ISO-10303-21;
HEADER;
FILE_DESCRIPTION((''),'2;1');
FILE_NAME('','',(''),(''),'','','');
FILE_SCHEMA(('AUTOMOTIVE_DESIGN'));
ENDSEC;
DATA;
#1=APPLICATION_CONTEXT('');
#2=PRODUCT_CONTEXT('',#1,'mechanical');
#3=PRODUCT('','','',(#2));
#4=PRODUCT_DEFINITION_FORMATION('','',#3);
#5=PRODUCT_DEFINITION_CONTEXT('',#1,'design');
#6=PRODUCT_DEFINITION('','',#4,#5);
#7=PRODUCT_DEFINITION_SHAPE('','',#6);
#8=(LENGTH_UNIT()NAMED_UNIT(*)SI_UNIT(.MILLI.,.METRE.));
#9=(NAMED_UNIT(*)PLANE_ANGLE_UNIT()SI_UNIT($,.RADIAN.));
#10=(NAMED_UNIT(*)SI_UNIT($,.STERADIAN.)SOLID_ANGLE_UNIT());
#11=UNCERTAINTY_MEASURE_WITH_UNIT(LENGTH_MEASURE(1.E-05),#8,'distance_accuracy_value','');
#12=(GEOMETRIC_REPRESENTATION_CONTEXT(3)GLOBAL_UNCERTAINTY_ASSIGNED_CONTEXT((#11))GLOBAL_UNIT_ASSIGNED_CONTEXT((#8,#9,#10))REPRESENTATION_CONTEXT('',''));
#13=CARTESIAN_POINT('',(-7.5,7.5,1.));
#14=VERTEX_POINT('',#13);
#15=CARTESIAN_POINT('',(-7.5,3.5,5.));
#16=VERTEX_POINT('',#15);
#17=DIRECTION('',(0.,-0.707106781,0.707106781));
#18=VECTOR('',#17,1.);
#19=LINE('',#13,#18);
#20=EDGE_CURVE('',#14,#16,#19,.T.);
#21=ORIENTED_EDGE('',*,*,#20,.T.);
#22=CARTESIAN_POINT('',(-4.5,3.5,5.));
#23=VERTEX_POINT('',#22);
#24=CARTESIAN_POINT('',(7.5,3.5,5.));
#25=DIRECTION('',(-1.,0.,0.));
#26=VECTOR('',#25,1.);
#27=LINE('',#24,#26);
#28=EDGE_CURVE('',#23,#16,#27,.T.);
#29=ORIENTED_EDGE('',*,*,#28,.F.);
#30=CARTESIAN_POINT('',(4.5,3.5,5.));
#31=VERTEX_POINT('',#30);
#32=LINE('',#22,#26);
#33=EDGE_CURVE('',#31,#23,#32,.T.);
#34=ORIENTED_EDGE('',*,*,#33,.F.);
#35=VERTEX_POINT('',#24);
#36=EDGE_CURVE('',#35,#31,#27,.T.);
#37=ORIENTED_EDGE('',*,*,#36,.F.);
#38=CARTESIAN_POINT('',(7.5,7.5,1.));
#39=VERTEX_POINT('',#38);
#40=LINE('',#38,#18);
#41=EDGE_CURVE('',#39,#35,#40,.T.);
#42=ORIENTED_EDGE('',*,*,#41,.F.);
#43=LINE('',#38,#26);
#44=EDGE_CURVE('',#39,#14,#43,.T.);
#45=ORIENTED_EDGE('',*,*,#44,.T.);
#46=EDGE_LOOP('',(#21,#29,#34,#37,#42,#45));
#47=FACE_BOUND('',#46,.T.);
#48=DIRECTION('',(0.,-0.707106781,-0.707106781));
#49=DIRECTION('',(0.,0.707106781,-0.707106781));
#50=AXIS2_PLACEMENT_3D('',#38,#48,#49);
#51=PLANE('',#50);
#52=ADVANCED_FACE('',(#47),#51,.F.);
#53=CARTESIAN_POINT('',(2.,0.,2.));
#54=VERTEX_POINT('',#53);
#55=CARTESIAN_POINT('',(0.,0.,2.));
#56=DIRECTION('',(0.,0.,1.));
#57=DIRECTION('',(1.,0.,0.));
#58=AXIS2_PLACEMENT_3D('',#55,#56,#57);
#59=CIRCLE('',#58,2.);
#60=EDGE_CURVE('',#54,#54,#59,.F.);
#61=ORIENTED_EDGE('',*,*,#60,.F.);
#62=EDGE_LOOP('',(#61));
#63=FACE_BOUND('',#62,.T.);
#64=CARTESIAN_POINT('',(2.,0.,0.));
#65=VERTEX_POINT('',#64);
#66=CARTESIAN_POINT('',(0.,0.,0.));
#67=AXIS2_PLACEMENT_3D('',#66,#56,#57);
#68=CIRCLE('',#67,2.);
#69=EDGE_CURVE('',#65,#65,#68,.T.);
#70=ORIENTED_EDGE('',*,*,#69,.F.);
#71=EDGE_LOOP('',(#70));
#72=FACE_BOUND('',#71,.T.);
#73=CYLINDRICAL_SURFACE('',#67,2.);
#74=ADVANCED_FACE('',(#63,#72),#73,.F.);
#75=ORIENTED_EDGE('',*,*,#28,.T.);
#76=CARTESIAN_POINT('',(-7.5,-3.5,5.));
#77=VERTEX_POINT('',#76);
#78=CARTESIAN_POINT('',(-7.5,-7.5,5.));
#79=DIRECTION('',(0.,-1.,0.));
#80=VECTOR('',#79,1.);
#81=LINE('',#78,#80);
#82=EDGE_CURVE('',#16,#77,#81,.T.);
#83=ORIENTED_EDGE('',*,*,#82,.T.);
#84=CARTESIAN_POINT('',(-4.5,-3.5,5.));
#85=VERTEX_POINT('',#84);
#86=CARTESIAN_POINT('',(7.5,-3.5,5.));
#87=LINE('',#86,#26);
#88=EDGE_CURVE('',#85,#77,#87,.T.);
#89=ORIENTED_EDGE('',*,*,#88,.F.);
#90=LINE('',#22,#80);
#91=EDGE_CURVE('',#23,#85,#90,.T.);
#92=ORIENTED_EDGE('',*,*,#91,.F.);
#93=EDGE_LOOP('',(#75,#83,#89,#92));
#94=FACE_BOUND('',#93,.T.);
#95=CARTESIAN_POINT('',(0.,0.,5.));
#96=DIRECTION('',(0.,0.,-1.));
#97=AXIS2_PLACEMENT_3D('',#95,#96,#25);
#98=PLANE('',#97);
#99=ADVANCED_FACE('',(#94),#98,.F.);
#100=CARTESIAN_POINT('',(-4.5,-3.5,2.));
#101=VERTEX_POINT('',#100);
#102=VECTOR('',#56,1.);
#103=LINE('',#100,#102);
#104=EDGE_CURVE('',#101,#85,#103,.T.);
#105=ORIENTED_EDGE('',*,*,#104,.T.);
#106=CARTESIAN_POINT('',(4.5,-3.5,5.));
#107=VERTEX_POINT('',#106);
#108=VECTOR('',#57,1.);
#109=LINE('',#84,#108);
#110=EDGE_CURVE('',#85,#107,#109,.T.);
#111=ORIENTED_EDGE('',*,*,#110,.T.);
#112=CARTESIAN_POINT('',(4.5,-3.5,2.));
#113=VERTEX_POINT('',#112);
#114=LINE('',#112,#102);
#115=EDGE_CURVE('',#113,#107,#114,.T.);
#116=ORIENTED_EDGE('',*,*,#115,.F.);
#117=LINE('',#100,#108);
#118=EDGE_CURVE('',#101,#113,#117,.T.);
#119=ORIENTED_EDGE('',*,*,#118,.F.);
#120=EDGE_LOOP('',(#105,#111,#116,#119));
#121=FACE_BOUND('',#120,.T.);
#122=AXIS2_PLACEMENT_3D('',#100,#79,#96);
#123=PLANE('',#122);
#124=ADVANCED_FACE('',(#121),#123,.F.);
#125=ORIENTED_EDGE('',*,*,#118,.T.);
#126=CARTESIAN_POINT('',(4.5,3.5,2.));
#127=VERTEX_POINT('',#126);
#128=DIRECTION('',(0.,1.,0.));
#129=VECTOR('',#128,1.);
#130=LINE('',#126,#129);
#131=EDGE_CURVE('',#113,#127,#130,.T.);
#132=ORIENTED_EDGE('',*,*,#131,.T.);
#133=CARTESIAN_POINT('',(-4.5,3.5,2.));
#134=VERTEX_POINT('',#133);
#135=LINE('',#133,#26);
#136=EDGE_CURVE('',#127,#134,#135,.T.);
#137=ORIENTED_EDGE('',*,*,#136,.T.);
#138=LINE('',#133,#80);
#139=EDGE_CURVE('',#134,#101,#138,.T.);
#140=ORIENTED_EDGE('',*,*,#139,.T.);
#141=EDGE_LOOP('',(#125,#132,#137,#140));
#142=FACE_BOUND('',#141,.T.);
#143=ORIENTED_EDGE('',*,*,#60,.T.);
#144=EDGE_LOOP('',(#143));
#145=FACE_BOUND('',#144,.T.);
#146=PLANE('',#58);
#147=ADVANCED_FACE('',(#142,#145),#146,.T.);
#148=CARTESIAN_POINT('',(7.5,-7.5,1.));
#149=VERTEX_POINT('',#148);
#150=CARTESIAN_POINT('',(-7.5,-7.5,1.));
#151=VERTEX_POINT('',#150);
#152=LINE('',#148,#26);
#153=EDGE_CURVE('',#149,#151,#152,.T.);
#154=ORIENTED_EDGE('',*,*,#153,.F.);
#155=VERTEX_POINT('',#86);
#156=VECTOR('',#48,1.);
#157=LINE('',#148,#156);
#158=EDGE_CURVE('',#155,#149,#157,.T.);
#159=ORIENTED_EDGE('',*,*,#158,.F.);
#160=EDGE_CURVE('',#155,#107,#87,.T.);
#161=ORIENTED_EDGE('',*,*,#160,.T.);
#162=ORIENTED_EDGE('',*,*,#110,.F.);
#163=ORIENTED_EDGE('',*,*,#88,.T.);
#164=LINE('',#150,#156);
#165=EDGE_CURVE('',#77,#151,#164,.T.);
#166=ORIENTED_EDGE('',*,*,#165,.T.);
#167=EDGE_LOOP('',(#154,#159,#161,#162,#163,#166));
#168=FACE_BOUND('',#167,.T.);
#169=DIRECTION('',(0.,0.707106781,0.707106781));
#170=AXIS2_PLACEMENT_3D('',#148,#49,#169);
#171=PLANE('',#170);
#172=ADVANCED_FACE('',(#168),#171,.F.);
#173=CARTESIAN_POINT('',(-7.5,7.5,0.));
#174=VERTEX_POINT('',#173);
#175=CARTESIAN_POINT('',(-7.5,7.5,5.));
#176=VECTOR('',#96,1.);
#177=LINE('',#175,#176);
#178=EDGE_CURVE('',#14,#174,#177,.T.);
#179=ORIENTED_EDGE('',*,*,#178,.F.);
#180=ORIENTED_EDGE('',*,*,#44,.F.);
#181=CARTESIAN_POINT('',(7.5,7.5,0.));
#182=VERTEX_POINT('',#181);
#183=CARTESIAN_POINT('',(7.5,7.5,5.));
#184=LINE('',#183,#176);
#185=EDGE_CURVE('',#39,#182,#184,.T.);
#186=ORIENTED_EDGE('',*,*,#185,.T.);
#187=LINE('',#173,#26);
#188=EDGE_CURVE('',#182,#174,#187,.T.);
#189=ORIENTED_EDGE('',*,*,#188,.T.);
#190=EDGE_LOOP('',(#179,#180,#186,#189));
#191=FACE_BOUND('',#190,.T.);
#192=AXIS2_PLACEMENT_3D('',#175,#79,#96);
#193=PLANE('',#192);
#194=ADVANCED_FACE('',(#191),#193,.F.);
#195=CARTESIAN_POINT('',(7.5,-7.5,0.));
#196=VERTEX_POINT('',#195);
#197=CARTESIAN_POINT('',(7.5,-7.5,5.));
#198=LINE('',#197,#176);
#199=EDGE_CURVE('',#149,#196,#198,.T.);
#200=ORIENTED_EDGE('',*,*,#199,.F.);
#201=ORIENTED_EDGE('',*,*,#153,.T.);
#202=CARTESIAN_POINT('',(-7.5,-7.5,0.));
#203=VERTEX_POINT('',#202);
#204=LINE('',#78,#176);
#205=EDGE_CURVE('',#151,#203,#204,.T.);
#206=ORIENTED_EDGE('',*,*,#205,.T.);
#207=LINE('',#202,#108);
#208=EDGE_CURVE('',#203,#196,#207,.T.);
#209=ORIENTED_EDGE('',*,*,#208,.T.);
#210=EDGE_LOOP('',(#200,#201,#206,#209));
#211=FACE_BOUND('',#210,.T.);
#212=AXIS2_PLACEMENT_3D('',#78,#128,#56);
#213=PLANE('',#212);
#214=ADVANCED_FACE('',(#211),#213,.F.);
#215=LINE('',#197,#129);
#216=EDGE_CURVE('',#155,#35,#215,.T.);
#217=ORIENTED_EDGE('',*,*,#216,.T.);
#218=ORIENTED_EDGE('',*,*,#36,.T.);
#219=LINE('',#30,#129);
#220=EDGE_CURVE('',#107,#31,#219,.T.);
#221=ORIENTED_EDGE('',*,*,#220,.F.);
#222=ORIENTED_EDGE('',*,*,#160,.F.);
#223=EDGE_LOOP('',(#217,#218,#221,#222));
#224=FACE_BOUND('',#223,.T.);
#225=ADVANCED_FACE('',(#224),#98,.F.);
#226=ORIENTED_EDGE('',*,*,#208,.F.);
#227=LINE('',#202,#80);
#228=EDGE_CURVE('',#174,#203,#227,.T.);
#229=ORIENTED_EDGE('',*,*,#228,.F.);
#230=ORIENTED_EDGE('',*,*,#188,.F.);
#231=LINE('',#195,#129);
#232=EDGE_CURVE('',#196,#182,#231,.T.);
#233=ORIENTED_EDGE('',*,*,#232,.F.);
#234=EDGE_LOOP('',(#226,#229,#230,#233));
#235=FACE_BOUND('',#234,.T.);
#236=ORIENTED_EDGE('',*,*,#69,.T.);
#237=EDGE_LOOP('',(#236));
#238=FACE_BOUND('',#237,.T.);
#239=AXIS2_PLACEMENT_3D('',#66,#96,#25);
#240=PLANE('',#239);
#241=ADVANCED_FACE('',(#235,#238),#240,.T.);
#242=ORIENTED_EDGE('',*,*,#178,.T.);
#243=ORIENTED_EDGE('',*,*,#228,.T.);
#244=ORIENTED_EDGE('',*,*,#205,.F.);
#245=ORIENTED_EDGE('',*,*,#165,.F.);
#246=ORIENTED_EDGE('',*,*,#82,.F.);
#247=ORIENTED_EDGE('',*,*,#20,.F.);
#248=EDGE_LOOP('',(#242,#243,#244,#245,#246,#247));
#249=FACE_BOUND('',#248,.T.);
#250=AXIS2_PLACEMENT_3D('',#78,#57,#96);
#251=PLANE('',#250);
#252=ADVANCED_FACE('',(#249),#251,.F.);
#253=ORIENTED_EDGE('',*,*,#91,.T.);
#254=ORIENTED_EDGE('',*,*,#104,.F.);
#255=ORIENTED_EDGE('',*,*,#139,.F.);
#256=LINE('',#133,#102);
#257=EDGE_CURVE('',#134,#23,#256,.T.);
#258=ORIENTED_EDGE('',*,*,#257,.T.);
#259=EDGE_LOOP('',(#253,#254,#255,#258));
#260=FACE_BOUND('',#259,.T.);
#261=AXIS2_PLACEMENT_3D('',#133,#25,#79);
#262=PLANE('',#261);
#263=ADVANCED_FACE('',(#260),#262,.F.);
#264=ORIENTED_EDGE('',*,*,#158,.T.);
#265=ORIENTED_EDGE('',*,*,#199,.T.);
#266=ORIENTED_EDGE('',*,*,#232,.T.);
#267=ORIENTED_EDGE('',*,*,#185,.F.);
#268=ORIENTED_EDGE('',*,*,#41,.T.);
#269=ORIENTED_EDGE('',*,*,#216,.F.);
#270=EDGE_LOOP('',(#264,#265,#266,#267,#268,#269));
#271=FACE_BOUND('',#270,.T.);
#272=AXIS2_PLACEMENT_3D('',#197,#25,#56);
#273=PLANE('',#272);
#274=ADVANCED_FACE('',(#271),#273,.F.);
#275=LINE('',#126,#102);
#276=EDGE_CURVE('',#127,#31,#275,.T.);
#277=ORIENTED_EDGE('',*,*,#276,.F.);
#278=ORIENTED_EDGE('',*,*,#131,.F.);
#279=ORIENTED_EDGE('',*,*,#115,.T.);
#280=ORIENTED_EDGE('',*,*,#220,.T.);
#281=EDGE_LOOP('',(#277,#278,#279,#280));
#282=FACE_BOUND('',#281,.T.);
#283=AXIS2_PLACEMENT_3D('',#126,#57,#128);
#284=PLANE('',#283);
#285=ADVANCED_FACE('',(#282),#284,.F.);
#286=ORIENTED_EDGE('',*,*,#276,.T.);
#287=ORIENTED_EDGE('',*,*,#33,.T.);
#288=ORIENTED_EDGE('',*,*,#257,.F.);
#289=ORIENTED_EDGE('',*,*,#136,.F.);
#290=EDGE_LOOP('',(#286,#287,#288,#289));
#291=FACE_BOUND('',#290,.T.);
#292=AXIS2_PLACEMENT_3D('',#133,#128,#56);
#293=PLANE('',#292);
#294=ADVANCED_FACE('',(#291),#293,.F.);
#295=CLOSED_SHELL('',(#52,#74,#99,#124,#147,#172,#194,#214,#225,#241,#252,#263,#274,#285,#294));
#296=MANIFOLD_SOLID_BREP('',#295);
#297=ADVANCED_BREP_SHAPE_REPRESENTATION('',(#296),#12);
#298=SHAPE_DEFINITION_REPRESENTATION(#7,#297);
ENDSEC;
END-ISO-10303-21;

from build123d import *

# Parameters (mm, degrees)
SKETCH1_W           = 15
SKETCH1_H           = 15
BOSS_EXTRUDE1_DEPTH = 5
CUT_EXTRUDE1_DEPTH  = 18.5
SKETCH3_R           = 2
CUT_EXTRUDE2_DEPTH  = 12.7260394
SKETCH4_W           = 9
SKETCH4_H           = 7
CUT_EXTRUDE4_DEPTH  = 3


with BuildPart() as part:
    # Sketch1 → Boss-Extrude1 (new body)
    with BuildSketch(Plane.XY):
        Rectangle(SKETCH1_W, SKETCH1_H)
    extrude(amount=BOSS_EXTRUDE1_DEPTH)

    # Sketch2 → Cut-Extrude1 (cut, through all)
    with BuildSketch(Plane.ZY.offset(7.5)):
        Polygon((1, 7.5), (5, 3.5), (5, 7.5), align=None)
        Polygon((1, -7.5), (5, -3.5), (5, -7.5), align=None)
    extrude(amount=-CUT_EXTRUDE1_DEPTH, mode=Mode.SUBTRACT)

    # Sketch3 → Cut-Extrude2 (cut, through all)
    with BuildSketch(Plane.XY.offset(5)):
        Circle(SKETCH3_R)
    extrude(amount=-CUT_EXTRUDE2_DEPTH, mode=Mode.SUBTRACT)

    # Sketch4 → Cut-Extrude4 (cut)
    with BuildSketch(Plane.XY.offset(5)):
        Rectangle(SKETCH4_W, SKETCH4_H)
    extrude(amount=-CUT_EXTRUDE4_DEPTH, mode=Mode.SUBTRACT)


solid = part.part
